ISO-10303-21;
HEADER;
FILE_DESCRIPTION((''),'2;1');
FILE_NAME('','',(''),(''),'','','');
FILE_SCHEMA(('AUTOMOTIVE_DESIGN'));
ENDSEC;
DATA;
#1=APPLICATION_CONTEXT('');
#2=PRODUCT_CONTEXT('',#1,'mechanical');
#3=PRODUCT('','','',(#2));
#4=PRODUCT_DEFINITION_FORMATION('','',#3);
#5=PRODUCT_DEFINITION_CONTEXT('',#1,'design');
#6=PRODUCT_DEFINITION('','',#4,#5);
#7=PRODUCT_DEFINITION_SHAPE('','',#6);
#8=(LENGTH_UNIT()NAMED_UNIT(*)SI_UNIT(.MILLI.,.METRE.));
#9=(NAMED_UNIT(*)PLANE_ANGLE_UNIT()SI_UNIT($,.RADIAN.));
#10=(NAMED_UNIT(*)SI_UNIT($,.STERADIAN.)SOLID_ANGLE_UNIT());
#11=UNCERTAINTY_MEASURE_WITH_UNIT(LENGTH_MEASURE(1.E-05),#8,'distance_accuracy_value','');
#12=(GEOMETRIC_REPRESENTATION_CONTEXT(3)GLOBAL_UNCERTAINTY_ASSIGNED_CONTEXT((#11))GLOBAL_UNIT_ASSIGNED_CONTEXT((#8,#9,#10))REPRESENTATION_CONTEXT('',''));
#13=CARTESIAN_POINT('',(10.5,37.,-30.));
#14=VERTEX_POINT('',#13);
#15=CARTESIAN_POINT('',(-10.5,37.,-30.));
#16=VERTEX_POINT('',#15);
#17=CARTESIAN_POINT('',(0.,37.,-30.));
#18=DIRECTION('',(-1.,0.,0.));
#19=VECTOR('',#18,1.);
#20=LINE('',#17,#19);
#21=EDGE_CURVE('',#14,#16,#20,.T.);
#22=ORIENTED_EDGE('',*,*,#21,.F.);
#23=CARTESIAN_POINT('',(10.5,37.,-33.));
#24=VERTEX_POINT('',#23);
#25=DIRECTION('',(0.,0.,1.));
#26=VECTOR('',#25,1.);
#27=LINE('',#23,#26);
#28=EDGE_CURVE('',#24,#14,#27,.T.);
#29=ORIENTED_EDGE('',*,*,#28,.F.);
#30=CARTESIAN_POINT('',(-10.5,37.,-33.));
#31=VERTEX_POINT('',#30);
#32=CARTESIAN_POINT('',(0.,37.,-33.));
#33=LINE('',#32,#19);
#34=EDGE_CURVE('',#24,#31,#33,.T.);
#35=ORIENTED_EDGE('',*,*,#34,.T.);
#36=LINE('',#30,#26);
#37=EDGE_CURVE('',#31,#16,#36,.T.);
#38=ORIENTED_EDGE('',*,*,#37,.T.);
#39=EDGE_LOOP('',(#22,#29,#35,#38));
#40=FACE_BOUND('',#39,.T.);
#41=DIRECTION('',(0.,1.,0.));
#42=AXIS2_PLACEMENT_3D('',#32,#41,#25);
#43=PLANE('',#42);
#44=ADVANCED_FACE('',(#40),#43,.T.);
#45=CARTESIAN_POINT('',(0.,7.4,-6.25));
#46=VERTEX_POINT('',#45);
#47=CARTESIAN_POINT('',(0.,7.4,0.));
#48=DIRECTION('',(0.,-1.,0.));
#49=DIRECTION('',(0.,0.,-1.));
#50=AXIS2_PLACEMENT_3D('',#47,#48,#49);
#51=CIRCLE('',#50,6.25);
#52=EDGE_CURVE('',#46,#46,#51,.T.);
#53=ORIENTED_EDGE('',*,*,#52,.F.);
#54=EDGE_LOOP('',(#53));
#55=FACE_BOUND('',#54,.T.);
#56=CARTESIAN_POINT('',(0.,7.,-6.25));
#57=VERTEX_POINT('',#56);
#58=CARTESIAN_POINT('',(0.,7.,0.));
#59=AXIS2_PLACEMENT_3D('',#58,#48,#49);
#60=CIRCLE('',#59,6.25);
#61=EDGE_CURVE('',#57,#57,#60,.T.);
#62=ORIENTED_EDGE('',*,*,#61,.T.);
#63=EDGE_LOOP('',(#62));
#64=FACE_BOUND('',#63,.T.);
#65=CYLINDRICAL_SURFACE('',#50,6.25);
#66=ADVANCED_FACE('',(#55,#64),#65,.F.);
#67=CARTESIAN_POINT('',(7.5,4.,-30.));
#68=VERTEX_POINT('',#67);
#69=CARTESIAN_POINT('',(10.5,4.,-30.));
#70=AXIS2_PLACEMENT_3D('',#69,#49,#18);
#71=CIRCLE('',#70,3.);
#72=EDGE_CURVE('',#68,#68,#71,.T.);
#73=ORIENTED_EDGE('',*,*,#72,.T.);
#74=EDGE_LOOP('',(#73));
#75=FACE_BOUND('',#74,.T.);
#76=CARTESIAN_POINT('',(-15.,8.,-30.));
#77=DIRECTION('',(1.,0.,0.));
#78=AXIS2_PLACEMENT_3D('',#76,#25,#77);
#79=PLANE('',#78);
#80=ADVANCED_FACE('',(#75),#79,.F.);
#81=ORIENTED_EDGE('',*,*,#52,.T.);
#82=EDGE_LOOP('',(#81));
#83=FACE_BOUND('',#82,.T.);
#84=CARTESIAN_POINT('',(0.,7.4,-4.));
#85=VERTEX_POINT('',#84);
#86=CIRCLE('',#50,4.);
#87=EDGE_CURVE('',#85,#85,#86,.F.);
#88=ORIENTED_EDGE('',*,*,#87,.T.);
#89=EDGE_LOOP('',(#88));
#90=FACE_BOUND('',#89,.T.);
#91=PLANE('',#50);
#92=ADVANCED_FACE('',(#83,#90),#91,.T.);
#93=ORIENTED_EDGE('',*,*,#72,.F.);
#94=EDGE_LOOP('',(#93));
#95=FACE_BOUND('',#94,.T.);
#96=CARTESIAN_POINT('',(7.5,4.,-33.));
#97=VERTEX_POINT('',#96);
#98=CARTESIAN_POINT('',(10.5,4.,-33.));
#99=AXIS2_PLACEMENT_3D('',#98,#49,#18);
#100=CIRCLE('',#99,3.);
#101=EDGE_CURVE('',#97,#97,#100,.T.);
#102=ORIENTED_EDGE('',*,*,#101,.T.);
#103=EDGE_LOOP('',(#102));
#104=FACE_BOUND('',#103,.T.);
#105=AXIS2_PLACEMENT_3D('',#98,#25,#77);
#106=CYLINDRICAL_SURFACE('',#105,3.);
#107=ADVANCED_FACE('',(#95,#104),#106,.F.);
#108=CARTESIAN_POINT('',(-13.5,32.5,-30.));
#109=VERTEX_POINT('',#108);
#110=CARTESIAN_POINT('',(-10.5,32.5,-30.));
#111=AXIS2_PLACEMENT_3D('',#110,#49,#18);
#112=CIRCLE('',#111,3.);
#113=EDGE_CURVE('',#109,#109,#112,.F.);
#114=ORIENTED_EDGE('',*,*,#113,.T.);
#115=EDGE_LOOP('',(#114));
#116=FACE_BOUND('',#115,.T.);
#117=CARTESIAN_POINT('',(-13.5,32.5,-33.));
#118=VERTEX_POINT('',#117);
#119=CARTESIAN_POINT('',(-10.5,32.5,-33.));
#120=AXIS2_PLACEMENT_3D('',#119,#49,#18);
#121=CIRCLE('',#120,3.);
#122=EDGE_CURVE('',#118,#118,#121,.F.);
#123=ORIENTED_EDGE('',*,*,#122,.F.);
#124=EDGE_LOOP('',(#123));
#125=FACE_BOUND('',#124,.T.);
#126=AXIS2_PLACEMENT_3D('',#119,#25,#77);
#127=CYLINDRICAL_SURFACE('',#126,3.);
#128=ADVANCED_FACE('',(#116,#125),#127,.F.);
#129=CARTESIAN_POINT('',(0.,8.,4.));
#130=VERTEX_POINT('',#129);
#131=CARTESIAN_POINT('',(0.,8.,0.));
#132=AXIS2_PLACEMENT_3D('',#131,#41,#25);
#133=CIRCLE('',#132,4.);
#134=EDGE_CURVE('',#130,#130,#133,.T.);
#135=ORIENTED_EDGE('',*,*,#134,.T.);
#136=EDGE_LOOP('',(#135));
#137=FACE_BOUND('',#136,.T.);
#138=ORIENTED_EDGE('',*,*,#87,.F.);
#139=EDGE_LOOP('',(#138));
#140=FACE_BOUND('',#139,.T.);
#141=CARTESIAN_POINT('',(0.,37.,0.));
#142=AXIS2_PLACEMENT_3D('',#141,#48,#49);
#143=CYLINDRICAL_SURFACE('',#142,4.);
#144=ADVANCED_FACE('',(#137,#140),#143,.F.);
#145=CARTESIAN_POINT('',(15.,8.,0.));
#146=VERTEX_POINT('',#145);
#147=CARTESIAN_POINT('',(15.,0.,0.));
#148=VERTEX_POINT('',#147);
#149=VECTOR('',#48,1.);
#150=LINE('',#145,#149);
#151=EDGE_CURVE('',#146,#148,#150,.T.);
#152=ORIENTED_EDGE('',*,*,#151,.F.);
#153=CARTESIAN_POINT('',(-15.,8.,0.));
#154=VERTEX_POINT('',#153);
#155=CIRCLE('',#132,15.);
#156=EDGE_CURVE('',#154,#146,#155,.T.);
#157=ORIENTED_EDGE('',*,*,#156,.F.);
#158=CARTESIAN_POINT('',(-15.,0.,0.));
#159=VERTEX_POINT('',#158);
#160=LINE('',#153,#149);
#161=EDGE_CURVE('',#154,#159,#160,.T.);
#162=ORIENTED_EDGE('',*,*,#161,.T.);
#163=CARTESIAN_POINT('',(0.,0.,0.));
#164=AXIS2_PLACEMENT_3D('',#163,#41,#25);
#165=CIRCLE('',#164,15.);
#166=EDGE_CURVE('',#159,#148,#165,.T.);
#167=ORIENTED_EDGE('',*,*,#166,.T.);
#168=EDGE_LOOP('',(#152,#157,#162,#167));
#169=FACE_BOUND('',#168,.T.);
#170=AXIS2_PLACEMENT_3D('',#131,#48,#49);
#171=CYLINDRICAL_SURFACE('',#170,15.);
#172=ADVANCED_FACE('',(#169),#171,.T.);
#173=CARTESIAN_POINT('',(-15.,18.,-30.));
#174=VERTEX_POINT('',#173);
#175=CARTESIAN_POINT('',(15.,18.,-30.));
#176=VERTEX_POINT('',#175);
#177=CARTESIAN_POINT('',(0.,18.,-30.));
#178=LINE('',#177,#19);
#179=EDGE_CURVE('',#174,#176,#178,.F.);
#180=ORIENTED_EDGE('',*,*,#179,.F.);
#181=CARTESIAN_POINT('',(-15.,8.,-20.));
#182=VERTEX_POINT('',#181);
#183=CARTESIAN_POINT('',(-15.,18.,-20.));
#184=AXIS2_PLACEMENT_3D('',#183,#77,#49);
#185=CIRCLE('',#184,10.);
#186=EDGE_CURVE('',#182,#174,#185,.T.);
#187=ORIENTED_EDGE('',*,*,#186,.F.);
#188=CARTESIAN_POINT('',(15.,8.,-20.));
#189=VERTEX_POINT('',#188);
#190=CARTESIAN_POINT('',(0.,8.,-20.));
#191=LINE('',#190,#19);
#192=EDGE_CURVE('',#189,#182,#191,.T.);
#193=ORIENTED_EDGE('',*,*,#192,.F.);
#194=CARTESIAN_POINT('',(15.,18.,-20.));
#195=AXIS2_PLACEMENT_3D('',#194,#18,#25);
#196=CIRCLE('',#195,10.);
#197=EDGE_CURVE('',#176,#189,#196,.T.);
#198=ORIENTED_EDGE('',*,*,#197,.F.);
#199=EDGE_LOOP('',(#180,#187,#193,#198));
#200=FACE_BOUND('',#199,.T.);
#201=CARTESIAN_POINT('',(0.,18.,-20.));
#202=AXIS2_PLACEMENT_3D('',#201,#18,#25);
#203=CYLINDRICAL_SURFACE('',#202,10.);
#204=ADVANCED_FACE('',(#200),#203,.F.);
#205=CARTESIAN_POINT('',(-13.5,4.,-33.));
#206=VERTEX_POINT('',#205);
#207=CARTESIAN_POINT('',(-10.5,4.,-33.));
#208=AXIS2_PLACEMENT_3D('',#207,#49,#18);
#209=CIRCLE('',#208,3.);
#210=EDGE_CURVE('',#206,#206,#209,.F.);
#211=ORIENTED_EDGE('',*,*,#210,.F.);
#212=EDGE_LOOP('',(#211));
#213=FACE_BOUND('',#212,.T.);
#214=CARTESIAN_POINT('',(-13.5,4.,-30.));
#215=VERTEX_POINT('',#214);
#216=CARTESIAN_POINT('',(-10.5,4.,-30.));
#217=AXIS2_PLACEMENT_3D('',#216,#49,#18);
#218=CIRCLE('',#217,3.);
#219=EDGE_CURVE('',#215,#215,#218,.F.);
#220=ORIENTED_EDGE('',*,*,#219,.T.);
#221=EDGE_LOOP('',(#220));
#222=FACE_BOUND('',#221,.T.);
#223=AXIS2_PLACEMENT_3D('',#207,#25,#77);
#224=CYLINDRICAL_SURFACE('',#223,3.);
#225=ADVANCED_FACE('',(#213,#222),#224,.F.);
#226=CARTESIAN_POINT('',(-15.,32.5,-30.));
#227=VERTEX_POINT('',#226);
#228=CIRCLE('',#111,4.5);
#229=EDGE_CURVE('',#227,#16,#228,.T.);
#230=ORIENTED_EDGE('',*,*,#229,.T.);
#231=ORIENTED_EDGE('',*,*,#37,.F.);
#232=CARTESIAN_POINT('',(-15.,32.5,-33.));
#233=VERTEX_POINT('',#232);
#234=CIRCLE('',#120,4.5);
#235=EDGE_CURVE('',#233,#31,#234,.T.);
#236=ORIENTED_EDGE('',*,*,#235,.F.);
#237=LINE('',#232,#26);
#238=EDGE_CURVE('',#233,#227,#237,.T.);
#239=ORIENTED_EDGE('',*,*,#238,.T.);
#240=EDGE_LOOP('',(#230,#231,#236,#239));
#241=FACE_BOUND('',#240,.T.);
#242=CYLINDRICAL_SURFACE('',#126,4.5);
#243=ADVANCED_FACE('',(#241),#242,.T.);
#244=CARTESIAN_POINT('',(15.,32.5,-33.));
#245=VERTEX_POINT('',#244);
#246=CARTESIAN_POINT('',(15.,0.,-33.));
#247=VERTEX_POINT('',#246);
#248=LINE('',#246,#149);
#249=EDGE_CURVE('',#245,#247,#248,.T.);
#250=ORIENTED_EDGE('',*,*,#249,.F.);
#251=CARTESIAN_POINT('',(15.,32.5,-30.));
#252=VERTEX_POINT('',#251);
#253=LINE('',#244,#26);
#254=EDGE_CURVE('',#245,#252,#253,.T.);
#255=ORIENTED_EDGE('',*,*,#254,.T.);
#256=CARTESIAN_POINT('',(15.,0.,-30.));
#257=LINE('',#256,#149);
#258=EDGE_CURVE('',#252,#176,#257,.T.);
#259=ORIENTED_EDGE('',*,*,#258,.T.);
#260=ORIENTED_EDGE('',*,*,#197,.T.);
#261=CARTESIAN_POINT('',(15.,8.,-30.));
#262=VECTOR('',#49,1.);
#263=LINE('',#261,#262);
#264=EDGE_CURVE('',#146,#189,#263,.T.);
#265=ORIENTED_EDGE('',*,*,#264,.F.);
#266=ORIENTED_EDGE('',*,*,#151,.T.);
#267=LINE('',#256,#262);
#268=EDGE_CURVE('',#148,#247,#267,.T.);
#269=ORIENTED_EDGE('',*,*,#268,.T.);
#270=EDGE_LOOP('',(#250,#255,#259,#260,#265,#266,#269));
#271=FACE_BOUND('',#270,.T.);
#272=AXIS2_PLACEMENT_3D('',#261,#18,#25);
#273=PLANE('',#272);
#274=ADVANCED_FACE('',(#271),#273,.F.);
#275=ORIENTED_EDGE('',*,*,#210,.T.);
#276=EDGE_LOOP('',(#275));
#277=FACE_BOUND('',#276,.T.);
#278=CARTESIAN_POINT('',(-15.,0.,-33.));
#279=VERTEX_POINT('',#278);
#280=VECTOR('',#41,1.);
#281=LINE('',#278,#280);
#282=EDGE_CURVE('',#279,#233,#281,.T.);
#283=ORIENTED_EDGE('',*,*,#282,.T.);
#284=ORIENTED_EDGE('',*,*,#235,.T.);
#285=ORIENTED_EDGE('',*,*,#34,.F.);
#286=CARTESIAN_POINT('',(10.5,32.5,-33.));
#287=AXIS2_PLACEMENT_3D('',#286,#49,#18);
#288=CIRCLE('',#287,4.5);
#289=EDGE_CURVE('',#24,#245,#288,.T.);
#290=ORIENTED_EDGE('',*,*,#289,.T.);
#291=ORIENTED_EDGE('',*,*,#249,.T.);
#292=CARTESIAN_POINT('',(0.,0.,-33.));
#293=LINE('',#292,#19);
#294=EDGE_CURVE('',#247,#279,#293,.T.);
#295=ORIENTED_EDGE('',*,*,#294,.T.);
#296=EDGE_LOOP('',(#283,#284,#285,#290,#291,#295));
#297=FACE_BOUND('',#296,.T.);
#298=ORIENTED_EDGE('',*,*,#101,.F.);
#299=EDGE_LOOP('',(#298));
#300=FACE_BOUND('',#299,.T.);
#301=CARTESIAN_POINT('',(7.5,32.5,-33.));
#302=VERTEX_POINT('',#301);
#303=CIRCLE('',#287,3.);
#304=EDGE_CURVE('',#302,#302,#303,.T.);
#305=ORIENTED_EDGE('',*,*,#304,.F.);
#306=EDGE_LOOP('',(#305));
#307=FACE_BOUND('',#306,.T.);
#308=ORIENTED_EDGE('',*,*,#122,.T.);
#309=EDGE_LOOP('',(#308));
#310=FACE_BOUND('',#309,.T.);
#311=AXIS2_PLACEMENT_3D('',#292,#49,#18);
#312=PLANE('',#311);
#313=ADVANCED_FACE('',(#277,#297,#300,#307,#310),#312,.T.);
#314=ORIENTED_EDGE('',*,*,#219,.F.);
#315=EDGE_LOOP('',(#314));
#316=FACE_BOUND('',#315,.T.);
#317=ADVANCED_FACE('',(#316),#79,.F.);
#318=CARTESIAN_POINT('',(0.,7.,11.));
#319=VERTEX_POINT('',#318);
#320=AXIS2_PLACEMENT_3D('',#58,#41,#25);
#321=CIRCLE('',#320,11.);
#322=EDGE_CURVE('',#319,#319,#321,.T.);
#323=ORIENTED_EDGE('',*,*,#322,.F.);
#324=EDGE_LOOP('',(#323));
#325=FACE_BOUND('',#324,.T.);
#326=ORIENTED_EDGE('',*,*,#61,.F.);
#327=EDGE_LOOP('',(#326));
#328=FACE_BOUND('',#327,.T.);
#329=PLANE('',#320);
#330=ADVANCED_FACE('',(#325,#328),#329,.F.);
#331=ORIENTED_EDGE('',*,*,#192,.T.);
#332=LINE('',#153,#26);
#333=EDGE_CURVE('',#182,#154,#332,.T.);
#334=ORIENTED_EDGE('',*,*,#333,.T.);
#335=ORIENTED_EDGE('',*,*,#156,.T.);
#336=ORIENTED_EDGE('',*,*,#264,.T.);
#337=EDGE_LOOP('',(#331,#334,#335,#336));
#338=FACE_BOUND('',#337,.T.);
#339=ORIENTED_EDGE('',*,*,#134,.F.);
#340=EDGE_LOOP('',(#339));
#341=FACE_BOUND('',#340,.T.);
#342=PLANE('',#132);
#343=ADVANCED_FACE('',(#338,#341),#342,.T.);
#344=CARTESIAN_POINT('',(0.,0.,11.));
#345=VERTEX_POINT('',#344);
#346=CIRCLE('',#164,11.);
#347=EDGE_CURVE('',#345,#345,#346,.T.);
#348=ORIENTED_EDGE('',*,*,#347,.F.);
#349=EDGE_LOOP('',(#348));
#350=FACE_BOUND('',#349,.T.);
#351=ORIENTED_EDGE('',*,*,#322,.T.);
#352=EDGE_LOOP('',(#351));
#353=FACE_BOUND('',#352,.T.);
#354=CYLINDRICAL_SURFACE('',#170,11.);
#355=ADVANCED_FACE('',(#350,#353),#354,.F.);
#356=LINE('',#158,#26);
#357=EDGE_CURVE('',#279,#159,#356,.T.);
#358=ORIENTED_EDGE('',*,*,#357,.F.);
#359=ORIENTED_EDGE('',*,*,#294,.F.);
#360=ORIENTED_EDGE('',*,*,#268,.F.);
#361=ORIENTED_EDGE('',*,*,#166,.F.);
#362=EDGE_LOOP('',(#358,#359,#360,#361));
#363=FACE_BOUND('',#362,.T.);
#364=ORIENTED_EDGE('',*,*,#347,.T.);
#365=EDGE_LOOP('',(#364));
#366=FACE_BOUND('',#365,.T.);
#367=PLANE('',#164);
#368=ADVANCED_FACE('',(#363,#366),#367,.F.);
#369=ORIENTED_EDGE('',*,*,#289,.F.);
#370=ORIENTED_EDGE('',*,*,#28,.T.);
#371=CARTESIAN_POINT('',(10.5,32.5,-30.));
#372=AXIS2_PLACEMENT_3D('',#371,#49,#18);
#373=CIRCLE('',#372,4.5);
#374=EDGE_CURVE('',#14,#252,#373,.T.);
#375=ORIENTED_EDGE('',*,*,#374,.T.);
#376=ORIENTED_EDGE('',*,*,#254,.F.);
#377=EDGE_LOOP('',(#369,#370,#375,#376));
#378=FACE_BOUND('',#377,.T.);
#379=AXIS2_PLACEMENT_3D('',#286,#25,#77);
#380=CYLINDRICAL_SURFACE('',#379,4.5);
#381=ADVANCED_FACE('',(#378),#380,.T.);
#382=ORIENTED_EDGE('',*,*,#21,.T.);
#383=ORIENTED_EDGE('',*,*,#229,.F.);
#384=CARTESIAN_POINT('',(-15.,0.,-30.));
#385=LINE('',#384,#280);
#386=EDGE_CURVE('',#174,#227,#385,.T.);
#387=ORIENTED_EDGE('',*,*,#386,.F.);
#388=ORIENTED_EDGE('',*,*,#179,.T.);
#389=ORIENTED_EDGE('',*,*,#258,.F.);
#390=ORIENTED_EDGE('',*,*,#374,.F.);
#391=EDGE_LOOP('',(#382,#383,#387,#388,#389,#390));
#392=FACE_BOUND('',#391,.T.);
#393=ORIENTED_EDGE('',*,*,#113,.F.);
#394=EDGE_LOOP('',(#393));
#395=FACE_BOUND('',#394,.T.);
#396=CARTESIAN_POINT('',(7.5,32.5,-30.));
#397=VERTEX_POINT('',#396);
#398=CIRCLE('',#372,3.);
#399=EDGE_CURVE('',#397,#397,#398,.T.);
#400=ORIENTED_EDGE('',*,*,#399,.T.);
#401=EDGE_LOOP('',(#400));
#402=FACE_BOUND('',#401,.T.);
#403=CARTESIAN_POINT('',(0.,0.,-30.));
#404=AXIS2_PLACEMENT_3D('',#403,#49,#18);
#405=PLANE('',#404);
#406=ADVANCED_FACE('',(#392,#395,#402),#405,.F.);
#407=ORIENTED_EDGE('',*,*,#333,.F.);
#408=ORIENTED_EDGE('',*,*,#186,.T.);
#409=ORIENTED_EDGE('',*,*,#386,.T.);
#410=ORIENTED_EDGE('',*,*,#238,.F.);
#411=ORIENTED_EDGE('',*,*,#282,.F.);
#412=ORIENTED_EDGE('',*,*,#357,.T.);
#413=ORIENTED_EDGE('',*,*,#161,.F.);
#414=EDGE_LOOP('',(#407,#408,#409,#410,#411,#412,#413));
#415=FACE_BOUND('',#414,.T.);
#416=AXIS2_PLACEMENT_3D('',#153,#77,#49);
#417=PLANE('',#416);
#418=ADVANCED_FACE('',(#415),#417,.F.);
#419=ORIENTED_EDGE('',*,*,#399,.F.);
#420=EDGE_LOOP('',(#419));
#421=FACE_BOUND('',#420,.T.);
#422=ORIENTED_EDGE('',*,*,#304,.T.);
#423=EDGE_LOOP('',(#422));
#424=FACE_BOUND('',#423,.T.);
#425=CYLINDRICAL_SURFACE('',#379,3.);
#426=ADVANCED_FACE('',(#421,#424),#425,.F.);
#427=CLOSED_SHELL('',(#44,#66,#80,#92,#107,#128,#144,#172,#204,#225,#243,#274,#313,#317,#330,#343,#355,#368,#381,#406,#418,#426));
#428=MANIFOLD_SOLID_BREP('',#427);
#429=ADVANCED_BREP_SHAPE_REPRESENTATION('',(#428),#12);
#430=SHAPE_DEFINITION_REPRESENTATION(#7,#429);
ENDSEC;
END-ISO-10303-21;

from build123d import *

# Parameters (mm, degrees)
SKETCH_1_R          = 11
EXTRUDE_1_DEPTH     = 8
SKETCH_2_W          = 30
SKETCH_2_H          = 8
SKETCH_2_R          = 3
EXTRUDE_2_DEPTH     = 3
FILLET_1_R          = 10
EXTRUDE_START       = 8
SKETCH_1_2_R        = 11
EXTRUDE_3_DEPTH     = 1
SKETCH_3_R          = 4
CUT_EXTRUDE_1_DEPTH = 31
SKETCH_4_R          = 6.25
CUT_EXTRUDE_2_DEPTH = 0.4


with BuildPart() as part:
    # 草圖1 → 填料-伸長1 (new body)
    with BuildSketch(Plane(origin=(0, 0, 0), x_dir=(1, 0, 0), z_dir=(0, 1, 0))):
        with BuildLine():
            Line((-15, 0), (-15, 30))
            Line((-15, 30), (15, 30))
            Line((15, 30), (15, 0))
            ThreePointArc((15, 0), (0, -15), (-15, 0))
        make_face()
        Circle(SKETCH_1_R, mode=Mode.SUBTRACT)
    extrude(amount=EXTRUDE_1_DEPTH)

    # 草圖2 → 填料-伸長2 (add)
    with BuildSketch(Plane(origin=(0, 0, -30), x_dir=(-1, 0, 0), z_dir=(0, 0, -1))):
        with Locations((0, 4)):
            Rectangle(SKETCH_2_W, SKETCH_2_H)
        with Locations((-10.5, 4)):
            Circle(SKETCH_2_R, mode=Mode.SUBTRACT)
        with Locations((10.5, 4)):
            Circle(SKETCH_2_R, mode=Mode.SUBTRACT)
        with BuildLine():
            Line((15, 32.5), (15, 8))
            Line((15, 8), (-15, 8))
            Line((-15, 8), (-15, 32.5))
            ThreePointArc((-15, 32.5), (-13.681980515, 35.681980515), (-10.5, 37))
            Line((-10.5, 37), (10.5, 37))
            ThreePointArc((10.5, 37), (13.681980515, 35.681980515), (15, 32.5))
        make_face()
        with Locations((10.5, 32.5)):
            Circle(SKETCH_2_R, mode=Mode.SUBTRACT)
        with Locations((-10.5, 32.5)):
            Circle(SKETCH_2_R, mode=Mode.SUBTRACT)
    extrude(amount=EXTRUDE_2_DEPTH)

    # 圓角1
    fillet_1_edges = [part.edges().sort_by_distance(p)[0] for p in [
        (0, 8, -30),
    ]]
    fillet(fillet_1_edges, radius=FILLET_1_R)

    # 草圖1<2> → 填料-伸長3 (add)
    with BuildSketch(Plane(origin=(0, 0, 0), x_dir=(1, 0, 0), z_dir=(0, 1, 0)).offset(EXTRUDE_START)):
        Circle(SKETCH_1_2_R)
    extrude(amount=-EXTRUDE_3_DEPTH)

    # 草圖3 → 除料-伸長1 (cut, through all)
    with BuildSketch(Plane(origin=(0, 7, 0), x_dir=(-1, 0, 0), z_dir=(0, -1, 0))):
        Circle(SKETCH_3_R)
    extrude(amount=-CUT_EXTRUDE_1_DEPTH, mode=Mode.SUBTRACT)

    # 草圖4 → 除料-伸長2 (cut)
    with BuildSketch(Plane(origin=(0, 7, 0), x_dir=(-1, 0, 0), z_dir=(0, -1, 0))):
        Circle(SKETCH_4_R)
    extrude(amount=-CUT_EXTRUDE_2_DEPTH, mode=Mode.SUBTRACT)


solid = part.part
